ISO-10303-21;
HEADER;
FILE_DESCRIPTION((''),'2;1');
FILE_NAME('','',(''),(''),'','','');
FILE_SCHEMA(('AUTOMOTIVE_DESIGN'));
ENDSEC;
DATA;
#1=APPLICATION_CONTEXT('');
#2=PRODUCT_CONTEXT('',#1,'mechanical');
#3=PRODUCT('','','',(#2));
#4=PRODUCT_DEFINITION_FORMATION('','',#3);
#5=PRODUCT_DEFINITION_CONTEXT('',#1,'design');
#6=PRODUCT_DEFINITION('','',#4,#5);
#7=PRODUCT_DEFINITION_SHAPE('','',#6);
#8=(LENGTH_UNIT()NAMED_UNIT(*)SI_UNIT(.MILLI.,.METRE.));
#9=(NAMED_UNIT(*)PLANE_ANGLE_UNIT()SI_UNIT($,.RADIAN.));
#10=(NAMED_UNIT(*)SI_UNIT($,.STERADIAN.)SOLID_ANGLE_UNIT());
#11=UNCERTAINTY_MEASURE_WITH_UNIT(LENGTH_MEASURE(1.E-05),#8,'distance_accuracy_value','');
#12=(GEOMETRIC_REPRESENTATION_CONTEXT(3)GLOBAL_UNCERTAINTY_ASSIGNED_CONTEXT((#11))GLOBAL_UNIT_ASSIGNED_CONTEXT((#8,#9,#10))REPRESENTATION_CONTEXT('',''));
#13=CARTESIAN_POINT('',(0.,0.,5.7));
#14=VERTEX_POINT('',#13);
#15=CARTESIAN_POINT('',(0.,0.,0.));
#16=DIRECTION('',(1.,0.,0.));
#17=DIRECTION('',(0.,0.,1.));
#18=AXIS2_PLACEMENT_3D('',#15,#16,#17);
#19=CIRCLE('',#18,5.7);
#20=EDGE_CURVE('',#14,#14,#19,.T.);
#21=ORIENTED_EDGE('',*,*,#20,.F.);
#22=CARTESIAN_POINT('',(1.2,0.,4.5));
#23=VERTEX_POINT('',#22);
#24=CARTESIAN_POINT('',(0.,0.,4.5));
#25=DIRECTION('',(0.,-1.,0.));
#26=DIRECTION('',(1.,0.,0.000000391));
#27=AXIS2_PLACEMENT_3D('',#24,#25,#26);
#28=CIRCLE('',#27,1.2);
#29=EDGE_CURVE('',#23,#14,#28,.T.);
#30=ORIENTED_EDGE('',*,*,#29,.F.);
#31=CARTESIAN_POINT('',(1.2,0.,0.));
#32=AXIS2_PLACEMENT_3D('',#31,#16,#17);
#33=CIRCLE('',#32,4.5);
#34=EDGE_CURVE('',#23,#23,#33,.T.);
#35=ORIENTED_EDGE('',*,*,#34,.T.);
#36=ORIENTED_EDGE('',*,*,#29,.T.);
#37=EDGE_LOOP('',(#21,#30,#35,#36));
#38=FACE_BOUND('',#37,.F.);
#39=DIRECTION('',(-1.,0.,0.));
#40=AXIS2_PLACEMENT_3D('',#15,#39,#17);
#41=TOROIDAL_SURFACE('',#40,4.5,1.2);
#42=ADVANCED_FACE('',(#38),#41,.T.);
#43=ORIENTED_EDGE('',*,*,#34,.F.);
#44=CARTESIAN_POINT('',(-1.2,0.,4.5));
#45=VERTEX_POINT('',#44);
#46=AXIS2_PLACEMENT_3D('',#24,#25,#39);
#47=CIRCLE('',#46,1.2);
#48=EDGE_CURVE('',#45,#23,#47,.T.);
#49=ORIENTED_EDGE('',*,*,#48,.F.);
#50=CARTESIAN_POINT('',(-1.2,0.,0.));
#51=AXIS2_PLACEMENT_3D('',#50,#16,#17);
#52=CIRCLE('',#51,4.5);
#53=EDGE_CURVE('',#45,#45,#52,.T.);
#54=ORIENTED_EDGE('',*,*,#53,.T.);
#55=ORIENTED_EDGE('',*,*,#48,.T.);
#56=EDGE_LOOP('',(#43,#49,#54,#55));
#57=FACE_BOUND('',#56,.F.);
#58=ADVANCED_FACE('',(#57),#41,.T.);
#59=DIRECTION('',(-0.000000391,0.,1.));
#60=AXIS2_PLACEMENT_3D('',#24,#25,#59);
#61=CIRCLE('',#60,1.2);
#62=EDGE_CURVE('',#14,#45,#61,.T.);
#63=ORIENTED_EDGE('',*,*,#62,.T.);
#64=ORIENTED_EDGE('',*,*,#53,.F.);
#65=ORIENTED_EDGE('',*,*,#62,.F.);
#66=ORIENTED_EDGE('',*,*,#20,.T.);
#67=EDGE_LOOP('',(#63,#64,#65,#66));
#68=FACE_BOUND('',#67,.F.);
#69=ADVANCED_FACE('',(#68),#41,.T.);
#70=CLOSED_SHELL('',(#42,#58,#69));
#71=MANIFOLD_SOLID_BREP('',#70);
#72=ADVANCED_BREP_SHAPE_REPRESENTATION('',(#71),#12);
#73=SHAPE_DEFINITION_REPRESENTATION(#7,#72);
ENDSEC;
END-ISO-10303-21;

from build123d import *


with BuildPart() as f1:
    # F0 (on Front) → F1 (revolve)
    with BuildSketch(Plane.XZ):
        with BuildLine():
            ThreePointArc((-1.2, 4.5), (0, 3.3), (1.2, 4.5))
            ThreePointArc((1.2, 4.5), (0.848528, 5.348528), (0, 5.7))
            ThreePointArc((0, 5.7), (-0.848528, 5.348528), (-1.2, 4.5))
        make_face()
    revolve(axis=Axis((0, 0, 0), (1, 0, 0)))


solid = f1.part
